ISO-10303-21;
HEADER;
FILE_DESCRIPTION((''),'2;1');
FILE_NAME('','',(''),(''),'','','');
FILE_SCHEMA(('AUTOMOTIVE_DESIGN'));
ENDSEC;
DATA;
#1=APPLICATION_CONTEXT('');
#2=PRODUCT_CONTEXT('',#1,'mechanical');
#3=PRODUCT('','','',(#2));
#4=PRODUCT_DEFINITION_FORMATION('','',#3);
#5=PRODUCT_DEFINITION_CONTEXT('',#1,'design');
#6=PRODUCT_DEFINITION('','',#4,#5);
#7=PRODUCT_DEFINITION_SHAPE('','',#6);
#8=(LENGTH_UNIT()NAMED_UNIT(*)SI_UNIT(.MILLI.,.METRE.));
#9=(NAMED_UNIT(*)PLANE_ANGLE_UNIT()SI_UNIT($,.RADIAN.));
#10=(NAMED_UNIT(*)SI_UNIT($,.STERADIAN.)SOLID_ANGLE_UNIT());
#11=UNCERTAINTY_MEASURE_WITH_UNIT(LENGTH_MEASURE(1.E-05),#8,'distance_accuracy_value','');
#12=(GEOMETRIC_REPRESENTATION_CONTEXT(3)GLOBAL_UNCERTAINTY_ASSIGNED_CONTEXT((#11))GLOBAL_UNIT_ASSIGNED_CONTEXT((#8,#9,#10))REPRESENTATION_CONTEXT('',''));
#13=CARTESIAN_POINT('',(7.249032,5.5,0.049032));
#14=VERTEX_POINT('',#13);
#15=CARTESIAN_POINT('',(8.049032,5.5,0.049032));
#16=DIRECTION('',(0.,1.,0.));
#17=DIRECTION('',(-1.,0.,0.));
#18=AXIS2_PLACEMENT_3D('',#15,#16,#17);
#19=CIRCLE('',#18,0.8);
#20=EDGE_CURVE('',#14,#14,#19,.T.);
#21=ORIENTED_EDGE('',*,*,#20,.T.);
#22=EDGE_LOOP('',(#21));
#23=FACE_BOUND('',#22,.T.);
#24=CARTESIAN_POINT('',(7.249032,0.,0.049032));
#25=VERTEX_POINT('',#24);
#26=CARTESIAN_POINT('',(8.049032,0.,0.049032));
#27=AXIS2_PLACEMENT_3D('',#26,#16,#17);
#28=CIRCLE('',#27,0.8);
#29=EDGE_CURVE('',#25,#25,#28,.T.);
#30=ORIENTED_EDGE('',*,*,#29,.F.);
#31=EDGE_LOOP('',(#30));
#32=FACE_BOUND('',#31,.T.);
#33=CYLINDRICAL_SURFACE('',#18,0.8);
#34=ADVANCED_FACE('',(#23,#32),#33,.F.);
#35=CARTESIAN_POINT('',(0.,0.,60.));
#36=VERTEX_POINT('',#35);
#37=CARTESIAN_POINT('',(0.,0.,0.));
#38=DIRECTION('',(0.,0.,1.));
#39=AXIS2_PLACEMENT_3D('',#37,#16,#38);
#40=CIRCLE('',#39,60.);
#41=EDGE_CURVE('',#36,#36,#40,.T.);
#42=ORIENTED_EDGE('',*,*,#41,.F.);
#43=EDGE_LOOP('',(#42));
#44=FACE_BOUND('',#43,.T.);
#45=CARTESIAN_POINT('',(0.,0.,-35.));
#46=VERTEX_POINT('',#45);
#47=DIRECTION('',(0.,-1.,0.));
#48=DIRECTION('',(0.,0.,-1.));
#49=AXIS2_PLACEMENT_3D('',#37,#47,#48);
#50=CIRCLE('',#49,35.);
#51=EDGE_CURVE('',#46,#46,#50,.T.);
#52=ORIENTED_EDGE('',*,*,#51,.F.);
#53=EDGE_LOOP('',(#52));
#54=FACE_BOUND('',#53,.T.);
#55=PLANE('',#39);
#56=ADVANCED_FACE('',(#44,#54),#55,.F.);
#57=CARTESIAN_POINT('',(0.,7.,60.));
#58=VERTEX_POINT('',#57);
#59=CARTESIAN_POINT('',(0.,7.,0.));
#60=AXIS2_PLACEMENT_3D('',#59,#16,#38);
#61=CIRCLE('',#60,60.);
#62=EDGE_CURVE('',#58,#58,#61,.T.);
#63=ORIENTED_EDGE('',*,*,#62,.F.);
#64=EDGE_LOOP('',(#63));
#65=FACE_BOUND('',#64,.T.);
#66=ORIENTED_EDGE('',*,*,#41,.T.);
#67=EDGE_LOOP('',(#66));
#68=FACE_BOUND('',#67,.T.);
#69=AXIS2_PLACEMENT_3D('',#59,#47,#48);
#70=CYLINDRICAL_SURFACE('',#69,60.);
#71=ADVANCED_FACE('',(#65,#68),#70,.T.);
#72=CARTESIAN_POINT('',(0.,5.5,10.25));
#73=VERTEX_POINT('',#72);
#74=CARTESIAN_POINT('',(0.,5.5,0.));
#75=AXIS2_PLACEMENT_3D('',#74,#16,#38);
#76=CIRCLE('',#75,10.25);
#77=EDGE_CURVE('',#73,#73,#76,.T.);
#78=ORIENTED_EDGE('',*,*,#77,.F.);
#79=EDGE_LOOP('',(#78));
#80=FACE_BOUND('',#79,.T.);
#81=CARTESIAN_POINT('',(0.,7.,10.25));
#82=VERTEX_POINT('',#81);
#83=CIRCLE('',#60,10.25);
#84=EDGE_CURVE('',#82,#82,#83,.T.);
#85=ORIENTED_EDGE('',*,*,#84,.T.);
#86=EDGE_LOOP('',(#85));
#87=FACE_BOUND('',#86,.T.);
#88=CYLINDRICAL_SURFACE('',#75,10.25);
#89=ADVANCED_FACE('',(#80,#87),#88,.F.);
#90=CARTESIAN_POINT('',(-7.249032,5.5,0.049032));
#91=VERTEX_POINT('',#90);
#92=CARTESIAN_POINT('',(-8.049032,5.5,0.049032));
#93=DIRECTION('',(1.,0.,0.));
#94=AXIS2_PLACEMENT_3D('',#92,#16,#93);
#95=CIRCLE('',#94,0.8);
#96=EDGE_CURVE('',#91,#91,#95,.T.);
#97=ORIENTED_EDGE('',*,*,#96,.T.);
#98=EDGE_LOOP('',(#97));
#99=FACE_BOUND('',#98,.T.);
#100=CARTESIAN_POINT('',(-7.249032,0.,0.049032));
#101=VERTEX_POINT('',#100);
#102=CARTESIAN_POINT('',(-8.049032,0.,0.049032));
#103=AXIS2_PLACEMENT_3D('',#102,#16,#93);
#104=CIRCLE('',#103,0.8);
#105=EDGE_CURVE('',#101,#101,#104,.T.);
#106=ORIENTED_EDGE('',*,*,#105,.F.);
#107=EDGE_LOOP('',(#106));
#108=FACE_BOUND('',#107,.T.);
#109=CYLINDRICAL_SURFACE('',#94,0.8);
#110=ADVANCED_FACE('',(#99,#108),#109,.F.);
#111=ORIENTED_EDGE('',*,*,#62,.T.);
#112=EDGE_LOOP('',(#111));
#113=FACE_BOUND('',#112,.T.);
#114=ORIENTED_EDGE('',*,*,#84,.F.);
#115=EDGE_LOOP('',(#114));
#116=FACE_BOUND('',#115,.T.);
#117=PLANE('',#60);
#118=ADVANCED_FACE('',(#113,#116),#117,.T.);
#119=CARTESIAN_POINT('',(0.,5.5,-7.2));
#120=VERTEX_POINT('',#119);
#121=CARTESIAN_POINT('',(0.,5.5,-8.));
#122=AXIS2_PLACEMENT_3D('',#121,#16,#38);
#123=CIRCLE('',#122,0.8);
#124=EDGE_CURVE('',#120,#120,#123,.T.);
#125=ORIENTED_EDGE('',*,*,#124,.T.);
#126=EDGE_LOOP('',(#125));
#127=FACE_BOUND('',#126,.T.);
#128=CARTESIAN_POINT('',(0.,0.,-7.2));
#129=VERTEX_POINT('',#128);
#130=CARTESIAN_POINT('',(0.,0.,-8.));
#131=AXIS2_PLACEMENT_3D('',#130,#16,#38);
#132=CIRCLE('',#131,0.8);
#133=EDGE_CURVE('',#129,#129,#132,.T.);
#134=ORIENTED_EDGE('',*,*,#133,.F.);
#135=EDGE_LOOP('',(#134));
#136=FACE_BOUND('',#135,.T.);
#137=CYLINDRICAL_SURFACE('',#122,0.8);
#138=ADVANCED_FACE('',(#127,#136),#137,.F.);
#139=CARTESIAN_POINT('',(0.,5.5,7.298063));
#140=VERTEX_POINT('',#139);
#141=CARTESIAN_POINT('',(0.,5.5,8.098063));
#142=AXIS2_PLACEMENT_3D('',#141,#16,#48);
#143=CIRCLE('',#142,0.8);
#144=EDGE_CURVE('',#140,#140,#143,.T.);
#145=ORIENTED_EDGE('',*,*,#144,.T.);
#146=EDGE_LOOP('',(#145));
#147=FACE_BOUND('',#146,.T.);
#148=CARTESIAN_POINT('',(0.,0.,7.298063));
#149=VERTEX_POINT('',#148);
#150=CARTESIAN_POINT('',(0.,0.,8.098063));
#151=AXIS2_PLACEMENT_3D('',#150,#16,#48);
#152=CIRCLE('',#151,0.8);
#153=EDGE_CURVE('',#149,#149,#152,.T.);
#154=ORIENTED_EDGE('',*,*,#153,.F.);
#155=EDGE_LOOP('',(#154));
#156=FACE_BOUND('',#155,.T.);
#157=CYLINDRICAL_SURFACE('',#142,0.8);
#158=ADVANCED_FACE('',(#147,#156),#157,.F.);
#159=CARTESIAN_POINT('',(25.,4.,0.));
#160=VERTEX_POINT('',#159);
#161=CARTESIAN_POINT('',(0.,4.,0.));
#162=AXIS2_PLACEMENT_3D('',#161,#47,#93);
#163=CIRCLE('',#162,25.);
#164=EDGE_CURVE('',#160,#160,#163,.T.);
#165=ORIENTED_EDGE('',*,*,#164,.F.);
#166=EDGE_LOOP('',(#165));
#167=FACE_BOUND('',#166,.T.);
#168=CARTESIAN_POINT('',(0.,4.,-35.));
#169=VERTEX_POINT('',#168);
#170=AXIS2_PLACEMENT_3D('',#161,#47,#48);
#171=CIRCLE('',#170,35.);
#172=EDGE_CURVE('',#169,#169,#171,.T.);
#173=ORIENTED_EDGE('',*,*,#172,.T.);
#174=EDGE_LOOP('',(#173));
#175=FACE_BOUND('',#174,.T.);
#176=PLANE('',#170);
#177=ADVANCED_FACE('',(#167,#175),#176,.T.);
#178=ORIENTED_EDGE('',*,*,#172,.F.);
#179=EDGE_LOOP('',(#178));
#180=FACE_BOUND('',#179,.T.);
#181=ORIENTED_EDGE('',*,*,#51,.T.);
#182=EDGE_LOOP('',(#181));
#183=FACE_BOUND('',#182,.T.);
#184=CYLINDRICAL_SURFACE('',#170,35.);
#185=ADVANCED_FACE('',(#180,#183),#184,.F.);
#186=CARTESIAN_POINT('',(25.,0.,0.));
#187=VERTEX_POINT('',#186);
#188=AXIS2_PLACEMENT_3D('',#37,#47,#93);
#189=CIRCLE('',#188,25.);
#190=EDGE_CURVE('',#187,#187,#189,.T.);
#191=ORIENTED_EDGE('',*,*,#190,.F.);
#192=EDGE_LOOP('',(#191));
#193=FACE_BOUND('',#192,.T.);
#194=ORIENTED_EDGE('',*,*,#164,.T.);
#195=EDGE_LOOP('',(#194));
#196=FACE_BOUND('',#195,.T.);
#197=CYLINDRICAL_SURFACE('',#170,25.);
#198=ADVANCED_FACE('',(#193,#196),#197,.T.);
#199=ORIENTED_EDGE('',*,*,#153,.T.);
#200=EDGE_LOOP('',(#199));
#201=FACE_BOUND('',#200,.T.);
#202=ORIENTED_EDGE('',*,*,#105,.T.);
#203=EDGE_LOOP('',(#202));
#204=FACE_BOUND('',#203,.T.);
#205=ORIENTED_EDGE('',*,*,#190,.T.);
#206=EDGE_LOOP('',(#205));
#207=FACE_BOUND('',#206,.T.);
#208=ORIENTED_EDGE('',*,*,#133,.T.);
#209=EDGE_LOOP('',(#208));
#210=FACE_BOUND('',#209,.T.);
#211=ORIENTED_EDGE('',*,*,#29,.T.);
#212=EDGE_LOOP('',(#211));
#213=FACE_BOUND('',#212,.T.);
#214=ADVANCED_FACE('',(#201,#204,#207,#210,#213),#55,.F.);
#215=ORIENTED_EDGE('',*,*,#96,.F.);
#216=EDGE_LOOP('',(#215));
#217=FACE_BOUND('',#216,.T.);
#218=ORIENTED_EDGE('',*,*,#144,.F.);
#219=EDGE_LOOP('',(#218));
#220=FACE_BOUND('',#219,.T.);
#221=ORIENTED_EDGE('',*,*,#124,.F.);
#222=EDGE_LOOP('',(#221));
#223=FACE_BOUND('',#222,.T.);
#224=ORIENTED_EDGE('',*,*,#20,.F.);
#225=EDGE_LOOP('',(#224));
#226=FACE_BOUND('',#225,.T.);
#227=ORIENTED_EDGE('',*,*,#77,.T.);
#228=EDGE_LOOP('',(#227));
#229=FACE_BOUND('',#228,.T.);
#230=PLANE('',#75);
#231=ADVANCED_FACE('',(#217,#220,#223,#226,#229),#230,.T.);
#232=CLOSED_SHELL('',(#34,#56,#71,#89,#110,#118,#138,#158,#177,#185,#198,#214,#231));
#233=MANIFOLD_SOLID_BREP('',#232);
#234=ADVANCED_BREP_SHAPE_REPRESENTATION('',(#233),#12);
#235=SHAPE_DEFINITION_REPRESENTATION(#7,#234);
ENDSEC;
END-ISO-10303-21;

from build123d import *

# Parameters (mm, degrees)
SKETCH1_R                   = 60
BOSS_EXTRUDE1_DEPTH         = 7
SKETCH2_R                   = 10.25
CUT_EXTRUDE1_DEPTH          = 1.5
TAP_DRILL_FOR_M2X0_4_TAP1_D = 1.6
CIRPATTERN1_COUNT           = 4
SKETCH8_R                   = 35
SKETCH8_R_2                 = 25
CUT_EXTRUDE_THIN1_DEPTH     = 4


with BuildPart() as part:
    # Sketch1 → Boss-Extrude1 (new body)
    with BuildSketch(Plane(origin=(0, 0, 0), x_dir=(1, 0, 0), z_dir=(0, 1, 0))):
        with Locations(Location((0, 0, 0), (0, 0, 270))):
            Circle(SKETCH1_R)
    extrude(amount=BOSS_EXTRUDE1_DEPTH)

    # Sketch2 → Cut-Extrude1 (cut)
    with BuildSketch(Plane(origin=(0, 7, 0), x_dir=(1, 0, 0), z_dir=(0, 1, 0))):
        with Locations(Location((0, 0, 0), (0, 0, 270))):
            Circle(SKETCH2_R)
    extrude(amount=-CUT_EXTRUDE1_DEPTH, mode=Mode.SUBTRACT)

    # Tap Drill for M2x0.4 Tap1 (through all)
    with Locations(Plane(origin=(0, 5.5, 0), x_dir=(1, 0, 0), z_dir=(0, 1, 0))):
        with Locations((0, 8)):
            tap_drill_for_m2x0_4_tap1 = Hole(TAP_DRILL_FOR_M2X0_4_TAP1_D / 2)

    # CirPattern1: Tap Drill for M2x0.4 Tap1 ×4 about axis
    cirpattern1_axis = Axis((0, 0, 0.049031578), (0, 1, 0))
    for i in range(1, CIRPATTERN1_COUNT):
        add(tap_drill_for_m2x0_4_tap1.rotate(cirpattern1_axis, i * 360 / CIRPATTERN1_COUNT), mode=Mode.SUBTRACT)

    # Sketch8 → Cut-Extrude-Thin1 (cut)
    with BuildSketch(Plane.XZ):
        Circle(SKETCH8_R)
        Circle(SKETCH8_R_2, mode=Mode.SUBTRACT)
    extrude(amount=-CUT_EXTRUDE_THIN1_DEPTH, mode=Mode.SUBTRACT)


solid = part.part
